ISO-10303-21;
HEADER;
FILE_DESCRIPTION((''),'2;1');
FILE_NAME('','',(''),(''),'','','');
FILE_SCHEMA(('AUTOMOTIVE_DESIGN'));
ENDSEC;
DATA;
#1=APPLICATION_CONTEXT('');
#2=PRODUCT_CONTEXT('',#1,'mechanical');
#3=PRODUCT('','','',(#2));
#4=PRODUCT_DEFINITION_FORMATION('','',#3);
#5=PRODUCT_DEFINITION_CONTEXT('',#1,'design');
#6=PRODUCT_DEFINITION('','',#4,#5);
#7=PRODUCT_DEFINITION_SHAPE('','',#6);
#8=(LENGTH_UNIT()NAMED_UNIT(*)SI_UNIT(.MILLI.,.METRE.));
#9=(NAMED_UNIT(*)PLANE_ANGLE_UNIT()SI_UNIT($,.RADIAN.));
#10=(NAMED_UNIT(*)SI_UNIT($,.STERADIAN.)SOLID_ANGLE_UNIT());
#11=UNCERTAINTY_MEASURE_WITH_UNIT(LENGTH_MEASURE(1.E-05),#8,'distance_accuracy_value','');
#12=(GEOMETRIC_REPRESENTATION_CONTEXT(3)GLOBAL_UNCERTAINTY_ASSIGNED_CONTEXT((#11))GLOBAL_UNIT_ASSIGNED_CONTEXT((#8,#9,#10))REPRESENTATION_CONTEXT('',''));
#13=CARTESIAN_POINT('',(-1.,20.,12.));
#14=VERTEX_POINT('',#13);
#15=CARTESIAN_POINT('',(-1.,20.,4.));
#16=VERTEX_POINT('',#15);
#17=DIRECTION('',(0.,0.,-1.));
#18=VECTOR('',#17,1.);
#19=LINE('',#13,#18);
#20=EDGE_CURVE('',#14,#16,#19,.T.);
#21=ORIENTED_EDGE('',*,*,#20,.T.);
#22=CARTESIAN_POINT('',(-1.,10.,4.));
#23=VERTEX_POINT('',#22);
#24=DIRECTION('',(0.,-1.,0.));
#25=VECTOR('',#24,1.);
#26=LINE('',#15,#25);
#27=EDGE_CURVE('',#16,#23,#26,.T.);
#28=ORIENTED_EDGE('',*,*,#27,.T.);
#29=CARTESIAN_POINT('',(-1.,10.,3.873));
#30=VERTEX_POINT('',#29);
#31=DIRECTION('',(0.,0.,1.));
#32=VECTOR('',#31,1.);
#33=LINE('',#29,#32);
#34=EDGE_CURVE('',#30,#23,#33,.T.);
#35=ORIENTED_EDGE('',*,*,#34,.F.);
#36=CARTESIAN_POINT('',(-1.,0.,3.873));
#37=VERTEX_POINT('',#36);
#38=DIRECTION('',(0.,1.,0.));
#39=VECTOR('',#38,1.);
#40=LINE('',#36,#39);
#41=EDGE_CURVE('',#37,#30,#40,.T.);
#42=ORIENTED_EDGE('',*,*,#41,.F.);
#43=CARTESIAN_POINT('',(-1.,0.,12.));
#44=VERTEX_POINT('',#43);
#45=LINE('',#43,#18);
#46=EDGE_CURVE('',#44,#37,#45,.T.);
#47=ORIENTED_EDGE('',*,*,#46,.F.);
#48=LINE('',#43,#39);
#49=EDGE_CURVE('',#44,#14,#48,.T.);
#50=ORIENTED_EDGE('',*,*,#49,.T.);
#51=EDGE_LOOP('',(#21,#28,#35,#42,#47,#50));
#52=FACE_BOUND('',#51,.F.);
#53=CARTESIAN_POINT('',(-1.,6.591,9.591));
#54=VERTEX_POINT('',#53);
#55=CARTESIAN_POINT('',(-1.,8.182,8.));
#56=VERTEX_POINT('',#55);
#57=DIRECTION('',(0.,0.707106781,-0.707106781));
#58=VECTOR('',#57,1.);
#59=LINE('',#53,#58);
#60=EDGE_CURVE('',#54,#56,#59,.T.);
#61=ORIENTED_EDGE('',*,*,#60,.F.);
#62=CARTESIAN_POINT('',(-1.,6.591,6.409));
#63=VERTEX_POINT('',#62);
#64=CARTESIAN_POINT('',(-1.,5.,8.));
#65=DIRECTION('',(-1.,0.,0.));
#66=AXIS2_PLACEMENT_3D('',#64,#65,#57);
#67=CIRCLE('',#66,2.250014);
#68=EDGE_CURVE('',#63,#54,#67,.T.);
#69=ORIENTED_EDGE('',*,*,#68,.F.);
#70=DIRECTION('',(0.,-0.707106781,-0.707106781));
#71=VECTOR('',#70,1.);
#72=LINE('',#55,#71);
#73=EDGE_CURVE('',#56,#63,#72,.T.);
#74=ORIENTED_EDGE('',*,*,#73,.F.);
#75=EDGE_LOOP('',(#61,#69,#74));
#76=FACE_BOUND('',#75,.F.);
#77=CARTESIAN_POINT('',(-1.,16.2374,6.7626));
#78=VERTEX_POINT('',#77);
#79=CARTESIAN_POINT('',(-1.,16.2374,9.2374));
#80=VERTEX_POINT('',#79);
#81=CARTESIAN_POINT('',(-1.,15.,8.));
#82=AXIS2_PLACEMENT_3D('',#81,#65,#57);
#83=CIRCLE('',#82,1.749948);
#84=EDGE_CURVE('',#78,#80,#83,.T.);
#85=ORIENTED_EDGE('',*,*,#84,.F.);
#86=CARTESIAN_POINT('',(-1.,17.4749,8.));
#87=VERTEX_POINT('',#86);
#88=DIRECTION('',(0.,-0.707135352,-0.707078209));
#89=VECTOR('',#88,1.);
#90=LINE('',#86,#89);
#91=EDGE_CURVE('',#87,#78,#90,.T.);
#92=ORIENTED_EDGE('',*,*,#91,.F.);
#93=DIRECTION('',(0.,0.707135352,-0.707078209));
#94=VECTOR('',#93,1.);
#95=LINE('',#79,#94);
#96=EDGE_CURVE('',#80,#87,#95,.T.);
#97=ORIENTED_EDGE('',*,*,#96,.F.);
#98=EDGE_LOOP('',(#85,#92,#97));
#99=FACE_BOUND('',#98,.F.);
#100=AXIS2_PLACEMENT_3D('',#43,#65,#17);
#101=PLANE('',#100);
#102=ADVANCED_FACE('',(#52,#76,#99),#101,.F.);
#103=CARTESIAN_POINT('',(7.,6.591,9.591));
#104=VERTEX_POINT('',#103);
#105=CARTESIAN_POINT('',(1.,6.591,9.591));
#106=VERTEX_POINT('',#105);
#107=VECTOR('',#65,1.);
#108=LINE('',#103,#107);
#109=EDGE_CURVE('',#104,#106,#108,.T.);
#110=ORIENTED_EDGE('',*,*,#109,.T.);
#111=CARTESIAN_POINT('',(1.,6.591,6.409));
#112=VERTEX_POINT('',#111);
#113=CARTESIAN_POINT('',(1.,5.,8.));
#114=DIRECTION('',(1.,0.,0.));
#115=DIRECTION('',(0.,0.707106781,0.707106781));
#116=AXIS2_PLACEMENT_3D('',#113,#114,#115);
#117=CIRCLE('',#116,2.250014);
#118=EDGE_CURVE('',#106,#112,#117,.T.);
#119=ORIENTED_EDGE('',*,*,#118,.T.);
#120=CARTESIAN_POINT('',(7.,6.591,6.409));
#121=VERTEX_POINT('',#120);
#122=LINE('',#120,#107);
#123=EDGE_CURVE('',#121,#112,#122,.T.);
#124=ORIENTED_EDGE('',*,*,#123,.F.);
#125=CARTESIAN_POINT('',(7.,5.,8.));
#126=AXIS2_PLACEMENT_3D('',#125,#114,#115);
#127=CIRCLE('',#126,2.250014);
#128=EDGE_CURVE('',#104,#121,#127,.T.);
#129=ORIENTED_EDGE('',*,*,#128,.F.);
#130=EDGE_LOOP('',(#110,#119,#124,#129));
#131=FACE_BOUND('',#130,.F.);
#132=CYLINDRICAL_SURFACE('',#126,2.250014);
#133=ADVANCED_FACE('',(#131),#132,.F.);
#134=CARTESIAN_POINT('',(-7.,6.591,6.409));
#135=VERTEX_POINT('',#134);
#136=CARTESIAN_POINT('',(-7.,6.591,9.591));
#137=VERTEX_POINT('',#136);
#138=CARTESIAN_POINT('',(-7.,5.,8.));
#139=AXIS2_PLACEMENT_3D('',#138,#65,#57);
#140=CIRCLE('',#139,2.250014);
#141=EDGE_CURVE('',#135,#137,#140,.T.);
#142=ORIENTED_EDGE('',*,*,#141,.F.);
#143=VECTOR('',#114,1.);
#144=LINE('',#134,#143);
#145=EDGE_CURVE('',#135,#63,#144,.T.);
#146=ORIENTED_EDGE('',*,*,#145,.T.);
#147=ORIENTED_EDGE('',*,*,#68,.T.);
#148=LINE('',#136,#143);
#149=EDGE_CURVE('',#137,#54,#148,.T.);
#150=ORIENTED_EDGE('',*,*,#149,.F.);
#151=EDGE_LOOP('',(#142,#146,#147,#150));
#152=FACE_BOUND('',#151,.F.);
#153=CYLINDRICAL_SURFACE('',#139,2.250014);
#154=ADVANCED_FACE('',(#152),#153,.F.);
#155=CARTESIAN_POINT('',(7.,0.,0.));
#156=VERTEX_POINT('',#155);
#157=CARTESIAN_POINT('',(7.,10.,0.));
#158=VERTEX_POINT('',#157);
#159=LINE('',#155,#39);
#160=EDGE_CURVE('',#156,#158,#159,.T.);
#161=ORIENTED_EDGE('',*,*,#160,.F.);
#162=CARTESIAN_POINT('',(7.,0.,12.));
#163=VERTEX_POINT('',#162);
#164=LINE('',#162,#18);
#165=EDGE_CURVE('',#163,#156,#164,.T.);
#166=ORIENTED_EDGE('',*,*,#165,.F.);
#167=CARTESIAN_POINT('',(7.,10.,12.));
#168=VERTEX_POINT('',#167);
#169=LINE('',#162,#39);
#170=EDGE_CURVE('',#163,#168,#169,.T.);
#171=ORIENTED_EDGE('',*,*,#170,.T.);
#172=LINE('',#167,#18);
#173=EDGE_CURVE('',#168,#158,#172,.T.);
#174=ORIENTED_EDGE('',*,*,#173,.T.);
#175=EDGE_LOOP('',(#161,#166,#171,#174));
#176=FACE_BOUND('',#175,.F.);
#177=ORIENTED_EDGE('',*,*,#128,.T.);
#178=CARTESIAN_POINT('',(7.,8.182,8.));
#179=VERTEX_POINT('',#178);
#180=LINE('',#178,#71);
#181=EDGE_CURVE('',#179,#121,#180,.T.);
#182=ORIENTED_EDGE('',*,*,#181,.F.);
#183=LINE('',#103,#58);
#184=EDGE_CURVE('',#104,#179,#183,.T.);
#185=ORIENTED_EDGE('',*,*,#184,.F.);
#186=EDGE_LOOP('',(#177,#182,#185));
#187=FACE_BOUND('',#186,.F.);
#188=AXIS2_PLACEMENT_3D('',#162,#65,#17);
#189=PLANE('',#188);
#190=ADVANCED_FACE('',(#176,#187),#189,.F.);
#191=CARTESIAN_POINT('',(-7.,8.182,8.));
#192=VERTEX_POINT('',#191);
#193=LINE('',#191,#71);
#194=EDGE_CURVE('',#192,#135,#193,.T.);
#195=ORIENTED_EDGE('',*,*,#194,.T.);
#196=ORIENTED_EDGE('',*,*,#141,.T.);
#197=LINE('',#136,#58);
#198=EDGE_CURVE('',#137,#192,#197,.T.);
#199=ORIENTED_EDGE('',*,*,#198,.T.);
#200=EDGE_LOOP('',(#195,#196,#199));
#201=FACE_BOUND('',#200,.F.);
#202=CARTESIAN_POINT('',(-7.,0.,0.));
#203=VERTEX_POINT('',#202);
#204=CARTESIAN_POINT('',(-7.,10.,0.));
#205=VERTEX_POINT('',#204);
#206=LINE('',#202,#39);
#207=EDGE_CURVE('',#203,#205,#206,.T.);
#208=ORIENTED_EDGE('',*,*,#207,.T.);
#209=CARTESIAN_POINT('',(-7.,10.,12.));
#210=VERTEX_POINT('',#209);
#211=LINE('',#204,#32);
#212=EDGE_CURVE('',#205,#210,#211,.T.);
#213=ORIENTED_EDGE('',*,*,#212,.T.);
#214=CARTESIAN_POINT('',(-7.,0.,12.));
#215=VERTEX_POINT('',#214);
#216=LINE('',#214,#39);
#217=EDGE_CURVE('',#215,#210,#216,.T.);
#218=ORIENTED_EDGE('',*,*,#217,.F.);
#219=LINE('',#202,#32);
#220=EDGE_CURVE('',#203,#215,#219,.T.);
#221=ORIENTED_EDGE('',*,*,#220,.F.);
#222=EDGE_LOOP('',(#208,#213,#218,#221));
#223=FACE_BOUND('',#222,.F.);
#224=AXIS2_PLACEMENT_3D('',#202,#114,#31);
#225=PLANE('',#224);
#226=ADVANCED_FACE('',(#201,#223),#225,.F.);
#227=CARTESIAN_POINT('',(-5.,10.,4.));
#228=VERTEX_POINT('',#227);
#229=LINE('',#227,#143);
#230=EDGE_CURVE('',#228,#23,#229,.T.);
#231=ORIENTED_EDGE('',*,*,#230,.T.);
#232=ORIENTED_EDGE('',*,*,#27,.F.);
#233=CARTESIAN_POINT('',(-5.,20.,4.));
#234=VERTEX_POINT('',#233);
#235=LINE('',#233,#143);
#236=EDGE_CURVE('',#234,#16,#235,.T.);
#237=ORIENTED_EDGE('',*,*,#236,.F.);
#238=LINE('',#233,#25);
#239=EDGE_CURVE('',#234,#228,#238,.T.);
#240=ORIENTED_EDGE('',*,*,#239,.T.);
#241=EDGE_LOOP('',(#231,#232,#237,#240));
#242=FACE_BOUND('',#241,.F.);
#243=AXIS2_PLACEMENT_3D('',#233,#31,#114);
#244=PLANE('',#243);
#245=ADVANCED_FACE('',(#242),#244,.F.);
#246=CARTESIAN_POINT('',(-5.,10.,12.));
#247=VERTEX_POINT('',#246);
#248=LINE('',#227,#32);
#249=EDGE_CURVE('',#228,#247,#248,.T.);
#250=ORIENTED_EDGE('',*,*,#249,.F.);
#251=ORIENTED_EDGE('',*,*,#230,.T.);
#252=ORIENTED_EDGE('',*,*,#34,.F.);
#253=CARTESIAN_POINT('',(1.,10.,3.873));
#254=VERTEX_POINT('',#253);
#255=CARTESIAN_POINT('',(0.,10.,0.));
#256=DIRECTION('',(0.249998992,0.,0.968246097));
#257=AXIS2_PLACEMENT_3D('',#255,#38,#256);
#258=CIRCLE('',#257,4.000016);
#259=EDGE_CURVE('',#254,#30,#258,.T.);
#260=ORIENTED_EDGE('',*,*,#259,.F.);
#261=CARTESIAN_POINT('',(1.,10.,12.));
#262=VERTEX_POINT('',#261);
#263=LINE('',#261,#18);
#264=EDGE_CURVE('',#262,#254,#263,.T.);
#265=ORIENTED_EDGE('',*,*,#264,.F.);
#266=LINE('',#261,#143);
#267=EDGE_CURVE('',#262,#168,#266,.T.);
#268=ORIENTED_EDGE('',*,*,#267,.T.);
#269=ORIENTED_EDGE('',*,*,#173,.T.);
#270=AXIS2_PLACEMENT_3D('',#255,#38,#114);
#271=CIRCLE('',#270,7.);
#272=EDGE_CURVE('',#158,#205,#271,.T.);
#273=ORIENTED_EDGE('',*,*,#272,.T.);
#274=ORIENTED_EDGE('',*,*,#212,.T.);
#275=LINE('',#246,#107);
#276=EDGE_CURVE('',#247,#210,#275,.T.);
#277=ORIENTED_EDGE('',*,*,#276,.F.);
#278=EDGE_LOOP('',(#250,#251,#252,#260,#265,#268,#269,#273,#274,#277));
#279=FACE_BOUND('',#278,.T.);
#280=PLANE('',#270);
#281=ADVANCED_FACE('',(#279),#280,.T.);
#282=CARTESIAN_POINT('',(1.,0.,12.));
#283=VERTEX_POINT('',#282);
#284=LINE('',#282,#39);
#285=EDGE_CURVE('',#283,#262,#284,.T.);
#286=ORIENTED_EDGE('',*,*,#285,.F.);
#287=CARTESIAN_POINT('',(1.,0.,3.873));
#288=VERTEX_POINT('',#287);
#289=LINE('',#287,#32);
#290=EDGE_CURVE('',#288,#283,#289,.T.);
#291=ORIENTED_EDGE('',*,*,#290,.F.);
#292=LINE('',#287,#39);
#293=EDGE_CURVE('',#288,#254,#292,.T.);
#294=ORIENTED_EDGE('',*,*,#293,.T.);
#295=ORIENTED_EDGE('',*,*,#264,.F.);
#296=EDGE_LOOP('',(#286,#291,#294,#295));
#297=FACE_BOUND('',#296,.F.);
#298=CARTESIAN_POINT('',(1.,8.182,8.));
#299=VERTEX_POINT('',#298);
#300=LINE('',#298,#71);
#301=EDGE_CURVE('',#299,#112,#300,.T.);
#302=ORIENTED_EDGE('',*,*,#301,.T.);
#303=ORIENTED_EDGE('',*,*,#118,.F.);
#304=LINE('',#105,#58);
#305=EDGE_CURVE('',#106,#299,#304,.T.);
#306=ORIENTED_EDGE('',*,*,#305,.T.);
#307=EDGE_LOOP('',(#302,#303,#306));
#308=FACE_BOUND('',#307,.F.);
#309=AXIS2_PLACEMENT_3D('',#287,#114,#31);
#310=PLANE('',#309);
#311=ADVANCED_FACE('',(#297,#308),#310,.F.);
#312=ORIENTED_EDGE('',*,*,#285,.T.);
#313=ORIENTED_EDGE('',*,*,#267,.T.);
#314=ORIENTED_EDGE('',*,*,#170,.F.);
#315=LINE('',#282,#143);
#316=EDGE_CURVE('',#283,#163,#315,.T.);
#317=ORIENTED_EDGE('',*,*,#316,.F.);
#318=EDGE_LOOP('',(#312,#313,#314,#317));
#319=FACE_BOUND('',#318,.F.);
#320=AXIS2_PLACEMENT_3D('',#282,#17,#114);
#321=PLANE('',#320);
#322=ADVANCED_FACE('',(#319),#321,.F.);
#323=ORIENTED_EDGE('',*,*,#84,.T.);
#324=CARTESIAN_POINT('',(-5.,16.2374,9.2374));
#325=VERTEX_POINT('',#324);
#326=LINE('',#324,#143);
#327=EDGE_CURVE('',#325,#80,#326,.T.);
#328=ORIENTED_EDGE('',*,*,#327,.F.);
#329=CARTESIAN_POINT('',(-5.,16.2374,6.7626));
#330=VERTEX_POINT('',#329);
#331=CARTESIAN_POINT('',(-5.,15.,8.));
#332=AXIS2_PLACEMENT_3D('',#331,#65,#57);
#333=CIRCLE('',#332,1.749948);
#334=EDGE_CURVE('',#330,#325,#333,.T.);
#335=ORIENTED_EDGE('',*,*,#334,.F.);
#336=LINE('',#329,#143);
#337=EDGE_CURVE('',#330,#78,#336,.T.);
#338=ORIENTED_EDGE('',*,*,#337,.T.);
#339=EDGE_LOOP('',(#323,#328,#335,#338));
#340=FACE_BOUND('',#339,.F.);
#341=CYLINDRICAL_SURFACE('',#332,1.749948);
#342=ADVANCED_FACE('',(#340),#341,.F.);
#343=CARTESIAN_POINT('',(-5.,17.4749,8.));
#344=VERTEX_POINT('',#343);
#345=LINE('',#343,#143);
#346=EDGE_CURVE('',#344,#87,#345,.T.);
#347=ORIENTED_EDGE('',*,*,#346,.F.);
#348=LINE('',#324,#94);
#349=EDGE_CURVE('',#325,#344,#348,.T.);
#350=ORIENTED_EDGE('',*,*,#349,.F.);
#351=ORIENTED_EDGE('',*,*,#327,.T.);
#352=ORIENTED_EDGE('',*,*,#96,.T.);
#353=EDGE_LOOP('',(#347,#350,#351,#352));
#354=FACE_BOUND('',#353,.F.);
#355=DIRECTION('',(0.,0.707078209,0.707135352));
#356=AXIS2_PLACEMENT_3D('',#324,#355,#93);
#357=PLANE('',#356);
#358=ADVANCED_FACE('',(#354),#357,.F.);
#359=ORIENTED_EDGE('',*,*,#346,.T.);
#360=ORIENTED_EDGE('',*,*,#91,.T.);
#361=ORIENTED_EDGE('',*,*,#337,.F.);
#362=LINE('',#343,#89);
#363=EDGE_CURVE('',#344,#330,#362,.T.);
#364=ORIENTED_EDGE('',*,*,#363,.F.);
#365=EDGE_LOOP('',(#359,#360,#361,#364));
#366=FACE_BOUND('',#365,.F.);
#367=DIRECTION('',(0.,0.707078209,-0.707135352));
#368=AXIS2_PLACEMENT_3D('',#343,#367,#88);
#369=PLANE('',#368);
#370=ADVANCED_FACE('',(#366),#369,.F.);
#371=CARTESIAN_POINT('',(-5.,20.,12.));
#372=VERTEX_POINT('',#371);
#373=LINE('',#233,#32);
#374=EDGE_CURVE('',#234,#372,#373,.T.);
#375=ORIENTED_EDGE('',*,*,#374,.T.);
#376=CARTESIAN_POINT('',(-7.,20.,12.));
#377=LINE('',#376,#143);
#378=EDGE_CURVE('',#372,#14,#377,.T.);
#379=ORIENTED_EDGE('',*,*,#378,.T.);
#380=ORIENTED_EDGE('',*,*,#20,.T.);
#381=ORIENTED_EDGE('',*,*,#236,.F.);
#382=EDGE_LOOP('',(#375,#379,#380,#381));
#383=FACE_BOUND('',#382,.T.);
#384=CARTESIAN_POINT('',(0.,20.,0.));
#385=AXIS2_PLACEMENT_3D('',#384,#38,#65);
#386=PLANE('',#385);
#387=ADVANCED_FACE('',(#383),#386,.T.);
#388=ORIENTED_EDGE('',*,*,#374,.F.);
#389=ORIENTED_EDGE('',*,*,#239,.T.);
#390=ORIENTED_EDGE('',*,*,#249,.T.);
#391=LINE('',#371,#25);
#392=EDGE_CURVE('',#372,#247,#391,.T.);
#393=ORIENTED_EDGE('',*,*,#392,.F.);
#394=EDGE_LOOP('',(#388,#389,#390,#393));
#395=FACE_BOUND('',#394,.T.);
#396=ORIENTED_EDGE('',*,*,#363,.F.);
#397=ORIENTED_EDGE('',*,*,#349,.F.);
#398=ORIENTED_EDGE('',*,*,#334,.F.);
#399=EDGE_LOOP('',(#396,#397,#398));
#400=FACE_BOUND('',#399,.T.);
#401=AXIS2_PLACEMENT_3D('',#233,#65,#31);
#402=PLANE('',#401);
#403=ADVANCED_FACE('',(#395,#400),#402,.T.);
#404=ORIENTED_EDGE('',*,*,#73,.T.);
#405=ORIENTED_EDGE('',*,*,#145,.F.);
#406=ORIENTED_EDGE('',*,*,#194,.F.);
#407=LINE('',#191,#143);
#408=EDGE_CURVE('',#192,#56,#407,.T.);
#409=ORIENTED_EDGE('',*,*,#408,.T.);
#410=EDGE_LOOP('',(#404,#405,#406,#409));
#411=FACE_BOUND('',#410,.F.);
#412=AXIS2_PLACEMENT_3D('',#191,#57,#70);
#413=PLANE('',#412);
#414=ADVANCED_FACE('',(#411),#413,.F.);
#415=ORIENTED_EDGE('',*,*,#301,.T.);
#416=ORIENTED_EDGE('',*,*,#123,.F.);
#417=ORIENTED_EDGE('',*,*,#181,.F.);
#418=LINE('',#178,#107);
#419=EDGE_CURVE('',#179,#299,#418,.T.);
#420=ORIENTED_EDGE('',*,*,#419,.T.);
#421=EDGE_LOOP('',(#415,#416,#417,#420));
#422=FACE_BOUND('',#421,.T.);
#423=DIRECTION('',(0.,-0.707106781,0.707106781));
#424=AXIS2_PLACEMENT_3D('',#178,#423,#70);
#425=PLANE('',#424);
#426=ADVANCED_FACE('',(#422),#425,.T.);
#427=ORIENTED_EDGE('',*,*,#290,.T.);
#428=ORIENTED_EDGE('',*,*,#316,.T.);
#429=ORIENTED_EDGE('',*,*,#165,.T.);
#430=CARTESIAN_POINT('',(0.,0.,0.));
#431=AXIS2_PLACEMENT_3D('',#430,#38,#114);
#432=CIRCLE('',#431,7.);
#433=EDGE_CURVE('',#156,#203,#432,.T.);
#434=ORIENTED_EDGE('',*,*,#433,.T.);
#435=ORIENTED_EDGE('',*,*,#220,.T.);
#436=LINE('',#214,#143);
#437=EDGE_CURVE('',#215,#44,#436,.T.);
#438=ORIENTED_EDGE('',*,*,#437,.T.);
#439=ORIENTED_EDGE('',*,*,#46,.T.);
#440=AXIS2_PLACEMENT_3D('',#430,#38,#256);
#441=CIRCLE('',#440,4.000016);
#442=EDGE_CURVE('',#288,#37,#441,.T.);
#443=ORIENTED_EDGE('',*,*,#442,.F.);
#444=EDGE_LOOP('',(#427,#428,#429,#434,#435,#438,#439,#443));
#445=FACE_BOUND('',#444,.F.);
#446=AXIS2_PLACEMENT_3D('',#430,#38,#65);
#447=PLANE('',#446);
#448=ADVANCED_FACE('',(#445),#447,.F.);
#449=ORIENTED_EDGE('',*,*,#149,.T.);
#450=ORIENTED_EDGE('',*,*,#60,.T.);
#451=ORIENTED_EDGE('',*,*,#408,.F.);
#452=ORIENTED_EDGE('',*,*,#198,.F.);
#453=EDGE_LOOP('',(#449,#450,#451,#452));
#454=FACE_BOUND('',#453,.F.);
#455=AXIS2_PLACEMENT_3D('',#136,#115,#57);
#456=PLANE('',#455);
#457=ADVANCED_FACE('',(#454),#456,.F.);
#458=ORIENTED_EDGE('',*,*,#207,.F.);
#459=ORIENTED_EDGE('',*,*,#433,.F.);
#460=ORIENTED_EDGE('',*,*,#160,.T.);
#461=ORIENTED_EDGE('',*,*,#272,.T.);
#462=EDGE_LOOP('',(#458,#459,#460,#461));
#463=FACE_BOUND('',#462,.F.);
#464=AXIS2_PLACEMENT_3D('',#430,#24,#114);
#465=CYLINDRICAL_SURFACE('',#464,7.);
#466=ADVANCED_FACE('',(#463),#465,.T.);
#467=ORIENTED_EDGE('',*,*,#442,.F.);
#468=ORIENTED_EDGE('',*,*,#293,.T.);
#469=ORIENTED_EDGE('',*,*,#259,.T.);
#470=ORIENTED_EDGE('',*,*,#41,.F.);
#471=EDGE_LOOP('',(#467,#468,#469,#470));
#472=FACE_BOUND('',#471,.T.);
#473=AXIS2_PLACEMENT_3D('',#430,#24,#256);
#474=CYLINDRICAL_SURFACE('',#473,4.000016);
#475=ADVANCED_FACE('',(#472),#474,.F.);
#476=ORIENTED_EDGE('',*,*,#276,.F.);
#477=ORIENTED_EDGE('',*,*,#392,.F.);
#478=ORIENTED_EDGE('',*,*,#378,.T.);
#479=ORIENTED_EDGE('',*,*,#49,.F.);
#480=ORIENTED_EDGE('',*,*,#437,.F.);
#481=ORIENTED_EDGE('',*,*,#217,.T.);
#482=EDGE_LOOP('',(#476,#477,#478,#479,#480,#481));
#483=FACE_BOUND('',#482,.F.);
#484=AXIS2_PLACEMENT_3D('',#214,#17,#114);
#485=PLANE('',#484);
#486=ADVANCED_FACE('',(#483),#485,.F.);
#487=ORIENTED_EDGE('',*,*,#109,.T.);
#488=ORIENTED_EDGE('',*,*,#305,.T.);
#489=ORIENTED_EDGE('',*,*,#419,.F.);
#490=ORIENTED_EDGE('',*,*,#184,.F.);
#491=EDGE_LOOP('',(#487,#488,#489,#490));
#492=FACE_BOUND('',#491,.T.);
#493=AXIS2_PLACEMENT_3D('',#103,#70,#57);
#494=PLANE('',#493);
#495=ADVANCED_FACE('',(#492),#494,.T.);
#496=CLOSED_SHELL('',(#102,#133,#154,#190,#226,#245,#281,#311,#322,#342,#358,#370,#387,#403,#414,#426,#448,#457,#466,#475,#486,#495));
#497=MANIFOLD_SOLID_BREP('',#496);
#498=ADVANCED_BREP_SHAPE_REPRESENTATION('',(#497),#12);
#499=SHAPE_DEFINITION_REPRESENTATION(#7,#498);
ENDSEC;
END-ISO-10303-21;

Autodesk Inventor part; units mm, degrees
ref_plane "YZ Plane" through (0, 0, 0) normal (1, 0, 0) x (0, 1, 0)
ref_plane "XZ Plane" through (0, 0, 0) normal (0, 1, 0) x (-1, 0, 0)
ref_plane "XY Plane" through (0, 0, 0) normal (0, 0, 1) x (1, 0, 0)
sketch "Sketch1" plane through (0, 0, 0) normal (0, 1, 0) x (-1, 0, 0)
  line L0 (7, 0) -> (7, 12)
  arc A0 (-7, 0) -> (7, 0) centre (0, 0) ccw
  line L1 (-7, 12) -> (-7, 0)
  line L2 (-1, 3.873) -> (-1, 12)
  arc A1 (-1, 3.873) -> (1, 3.873) centre (0, 0) ccw
  line L3 (-1, 12) -> (-7, 12)
  line L4 (1, 12) -> (1, 3.873)
  line L5 (7, 12) -> (1, 12)
extrude "Extrusion5" add sketch "Sketch1" along normal blind 20
sketch "Sketch2" plane through (0, 20, 0) normal (0, 1, 0) x (1, 0, 0)
  line L0 (-5, -4) -> (-1, -4)
  arc A0 (7, 0) -> (-7, 0) centre (0, 0) ccw
  line L1 (1, -12) -> (1, -3.873)
  line L2 (-5, -12) -> (-7, -12)
  line L3 (7, -12) -> (7, 0)
  arc A1 (1, -3.873) -> (-1, -3.873) centre (0, 0) ccw
  line L4 (-1, -3.873) -> (-1, -4)
  line L5 (-7, 0) -> (-7, -12)
  line L6 (1, -12) -> (7, -12)
  line L7 (-5, -4) -> (-5, -12)
extrude "Extrusion4" cut sketch "Sketch2" against normal blind 10
sketch "Sketch3" plane through (-7, 0, 0) normal (-1, 0, 0) x (0, 0, 1)
  arc A0 (6.409, 6.591) -> (9.591, 6.591) centre (8, 5) ccw
  line L0 (8, 8.182) -> (6.409, 6.591)
  line L1 (9.591, 6.591) -> (8, 8.182)
extrude "Extrusion3" cut sketch "Sketch3" against normal blind 6
sketch "Sketch4" plane through (7, 0, 12) normal (1, 0, 0) x (0, 0, -1)
  arc A0 (2.409, 6.591) -> (5.591, 6.591) centre (4, 5) ccw
  line L0 (2.409, 6.591) -> (4, 8.182)
  line L1 (4, 8.182) -> (5.591, 6.591)
extrude "Extrusion2" cut sketch "Sketch4" against normal blind 6 draft 0
sketch "Sketch5" plane through (-5, 20, 4) normal (-1, 0, 0) x (0, 0, 1)
  line L0 (5.2374, -3.7626) -> (4, -2.5251)
  arc A0 (2.7626, -3.7626) -> (5.2374, -3.7626) centre (4, -5) ccw
  line L1 (4, -2.5251) -> (2.7626, -3.7626)
extrude "Extrusion1" cut sketch "Sketch5" against normal blind 4
properties part number "Piston Flag holder" material "ABS Plastic"
